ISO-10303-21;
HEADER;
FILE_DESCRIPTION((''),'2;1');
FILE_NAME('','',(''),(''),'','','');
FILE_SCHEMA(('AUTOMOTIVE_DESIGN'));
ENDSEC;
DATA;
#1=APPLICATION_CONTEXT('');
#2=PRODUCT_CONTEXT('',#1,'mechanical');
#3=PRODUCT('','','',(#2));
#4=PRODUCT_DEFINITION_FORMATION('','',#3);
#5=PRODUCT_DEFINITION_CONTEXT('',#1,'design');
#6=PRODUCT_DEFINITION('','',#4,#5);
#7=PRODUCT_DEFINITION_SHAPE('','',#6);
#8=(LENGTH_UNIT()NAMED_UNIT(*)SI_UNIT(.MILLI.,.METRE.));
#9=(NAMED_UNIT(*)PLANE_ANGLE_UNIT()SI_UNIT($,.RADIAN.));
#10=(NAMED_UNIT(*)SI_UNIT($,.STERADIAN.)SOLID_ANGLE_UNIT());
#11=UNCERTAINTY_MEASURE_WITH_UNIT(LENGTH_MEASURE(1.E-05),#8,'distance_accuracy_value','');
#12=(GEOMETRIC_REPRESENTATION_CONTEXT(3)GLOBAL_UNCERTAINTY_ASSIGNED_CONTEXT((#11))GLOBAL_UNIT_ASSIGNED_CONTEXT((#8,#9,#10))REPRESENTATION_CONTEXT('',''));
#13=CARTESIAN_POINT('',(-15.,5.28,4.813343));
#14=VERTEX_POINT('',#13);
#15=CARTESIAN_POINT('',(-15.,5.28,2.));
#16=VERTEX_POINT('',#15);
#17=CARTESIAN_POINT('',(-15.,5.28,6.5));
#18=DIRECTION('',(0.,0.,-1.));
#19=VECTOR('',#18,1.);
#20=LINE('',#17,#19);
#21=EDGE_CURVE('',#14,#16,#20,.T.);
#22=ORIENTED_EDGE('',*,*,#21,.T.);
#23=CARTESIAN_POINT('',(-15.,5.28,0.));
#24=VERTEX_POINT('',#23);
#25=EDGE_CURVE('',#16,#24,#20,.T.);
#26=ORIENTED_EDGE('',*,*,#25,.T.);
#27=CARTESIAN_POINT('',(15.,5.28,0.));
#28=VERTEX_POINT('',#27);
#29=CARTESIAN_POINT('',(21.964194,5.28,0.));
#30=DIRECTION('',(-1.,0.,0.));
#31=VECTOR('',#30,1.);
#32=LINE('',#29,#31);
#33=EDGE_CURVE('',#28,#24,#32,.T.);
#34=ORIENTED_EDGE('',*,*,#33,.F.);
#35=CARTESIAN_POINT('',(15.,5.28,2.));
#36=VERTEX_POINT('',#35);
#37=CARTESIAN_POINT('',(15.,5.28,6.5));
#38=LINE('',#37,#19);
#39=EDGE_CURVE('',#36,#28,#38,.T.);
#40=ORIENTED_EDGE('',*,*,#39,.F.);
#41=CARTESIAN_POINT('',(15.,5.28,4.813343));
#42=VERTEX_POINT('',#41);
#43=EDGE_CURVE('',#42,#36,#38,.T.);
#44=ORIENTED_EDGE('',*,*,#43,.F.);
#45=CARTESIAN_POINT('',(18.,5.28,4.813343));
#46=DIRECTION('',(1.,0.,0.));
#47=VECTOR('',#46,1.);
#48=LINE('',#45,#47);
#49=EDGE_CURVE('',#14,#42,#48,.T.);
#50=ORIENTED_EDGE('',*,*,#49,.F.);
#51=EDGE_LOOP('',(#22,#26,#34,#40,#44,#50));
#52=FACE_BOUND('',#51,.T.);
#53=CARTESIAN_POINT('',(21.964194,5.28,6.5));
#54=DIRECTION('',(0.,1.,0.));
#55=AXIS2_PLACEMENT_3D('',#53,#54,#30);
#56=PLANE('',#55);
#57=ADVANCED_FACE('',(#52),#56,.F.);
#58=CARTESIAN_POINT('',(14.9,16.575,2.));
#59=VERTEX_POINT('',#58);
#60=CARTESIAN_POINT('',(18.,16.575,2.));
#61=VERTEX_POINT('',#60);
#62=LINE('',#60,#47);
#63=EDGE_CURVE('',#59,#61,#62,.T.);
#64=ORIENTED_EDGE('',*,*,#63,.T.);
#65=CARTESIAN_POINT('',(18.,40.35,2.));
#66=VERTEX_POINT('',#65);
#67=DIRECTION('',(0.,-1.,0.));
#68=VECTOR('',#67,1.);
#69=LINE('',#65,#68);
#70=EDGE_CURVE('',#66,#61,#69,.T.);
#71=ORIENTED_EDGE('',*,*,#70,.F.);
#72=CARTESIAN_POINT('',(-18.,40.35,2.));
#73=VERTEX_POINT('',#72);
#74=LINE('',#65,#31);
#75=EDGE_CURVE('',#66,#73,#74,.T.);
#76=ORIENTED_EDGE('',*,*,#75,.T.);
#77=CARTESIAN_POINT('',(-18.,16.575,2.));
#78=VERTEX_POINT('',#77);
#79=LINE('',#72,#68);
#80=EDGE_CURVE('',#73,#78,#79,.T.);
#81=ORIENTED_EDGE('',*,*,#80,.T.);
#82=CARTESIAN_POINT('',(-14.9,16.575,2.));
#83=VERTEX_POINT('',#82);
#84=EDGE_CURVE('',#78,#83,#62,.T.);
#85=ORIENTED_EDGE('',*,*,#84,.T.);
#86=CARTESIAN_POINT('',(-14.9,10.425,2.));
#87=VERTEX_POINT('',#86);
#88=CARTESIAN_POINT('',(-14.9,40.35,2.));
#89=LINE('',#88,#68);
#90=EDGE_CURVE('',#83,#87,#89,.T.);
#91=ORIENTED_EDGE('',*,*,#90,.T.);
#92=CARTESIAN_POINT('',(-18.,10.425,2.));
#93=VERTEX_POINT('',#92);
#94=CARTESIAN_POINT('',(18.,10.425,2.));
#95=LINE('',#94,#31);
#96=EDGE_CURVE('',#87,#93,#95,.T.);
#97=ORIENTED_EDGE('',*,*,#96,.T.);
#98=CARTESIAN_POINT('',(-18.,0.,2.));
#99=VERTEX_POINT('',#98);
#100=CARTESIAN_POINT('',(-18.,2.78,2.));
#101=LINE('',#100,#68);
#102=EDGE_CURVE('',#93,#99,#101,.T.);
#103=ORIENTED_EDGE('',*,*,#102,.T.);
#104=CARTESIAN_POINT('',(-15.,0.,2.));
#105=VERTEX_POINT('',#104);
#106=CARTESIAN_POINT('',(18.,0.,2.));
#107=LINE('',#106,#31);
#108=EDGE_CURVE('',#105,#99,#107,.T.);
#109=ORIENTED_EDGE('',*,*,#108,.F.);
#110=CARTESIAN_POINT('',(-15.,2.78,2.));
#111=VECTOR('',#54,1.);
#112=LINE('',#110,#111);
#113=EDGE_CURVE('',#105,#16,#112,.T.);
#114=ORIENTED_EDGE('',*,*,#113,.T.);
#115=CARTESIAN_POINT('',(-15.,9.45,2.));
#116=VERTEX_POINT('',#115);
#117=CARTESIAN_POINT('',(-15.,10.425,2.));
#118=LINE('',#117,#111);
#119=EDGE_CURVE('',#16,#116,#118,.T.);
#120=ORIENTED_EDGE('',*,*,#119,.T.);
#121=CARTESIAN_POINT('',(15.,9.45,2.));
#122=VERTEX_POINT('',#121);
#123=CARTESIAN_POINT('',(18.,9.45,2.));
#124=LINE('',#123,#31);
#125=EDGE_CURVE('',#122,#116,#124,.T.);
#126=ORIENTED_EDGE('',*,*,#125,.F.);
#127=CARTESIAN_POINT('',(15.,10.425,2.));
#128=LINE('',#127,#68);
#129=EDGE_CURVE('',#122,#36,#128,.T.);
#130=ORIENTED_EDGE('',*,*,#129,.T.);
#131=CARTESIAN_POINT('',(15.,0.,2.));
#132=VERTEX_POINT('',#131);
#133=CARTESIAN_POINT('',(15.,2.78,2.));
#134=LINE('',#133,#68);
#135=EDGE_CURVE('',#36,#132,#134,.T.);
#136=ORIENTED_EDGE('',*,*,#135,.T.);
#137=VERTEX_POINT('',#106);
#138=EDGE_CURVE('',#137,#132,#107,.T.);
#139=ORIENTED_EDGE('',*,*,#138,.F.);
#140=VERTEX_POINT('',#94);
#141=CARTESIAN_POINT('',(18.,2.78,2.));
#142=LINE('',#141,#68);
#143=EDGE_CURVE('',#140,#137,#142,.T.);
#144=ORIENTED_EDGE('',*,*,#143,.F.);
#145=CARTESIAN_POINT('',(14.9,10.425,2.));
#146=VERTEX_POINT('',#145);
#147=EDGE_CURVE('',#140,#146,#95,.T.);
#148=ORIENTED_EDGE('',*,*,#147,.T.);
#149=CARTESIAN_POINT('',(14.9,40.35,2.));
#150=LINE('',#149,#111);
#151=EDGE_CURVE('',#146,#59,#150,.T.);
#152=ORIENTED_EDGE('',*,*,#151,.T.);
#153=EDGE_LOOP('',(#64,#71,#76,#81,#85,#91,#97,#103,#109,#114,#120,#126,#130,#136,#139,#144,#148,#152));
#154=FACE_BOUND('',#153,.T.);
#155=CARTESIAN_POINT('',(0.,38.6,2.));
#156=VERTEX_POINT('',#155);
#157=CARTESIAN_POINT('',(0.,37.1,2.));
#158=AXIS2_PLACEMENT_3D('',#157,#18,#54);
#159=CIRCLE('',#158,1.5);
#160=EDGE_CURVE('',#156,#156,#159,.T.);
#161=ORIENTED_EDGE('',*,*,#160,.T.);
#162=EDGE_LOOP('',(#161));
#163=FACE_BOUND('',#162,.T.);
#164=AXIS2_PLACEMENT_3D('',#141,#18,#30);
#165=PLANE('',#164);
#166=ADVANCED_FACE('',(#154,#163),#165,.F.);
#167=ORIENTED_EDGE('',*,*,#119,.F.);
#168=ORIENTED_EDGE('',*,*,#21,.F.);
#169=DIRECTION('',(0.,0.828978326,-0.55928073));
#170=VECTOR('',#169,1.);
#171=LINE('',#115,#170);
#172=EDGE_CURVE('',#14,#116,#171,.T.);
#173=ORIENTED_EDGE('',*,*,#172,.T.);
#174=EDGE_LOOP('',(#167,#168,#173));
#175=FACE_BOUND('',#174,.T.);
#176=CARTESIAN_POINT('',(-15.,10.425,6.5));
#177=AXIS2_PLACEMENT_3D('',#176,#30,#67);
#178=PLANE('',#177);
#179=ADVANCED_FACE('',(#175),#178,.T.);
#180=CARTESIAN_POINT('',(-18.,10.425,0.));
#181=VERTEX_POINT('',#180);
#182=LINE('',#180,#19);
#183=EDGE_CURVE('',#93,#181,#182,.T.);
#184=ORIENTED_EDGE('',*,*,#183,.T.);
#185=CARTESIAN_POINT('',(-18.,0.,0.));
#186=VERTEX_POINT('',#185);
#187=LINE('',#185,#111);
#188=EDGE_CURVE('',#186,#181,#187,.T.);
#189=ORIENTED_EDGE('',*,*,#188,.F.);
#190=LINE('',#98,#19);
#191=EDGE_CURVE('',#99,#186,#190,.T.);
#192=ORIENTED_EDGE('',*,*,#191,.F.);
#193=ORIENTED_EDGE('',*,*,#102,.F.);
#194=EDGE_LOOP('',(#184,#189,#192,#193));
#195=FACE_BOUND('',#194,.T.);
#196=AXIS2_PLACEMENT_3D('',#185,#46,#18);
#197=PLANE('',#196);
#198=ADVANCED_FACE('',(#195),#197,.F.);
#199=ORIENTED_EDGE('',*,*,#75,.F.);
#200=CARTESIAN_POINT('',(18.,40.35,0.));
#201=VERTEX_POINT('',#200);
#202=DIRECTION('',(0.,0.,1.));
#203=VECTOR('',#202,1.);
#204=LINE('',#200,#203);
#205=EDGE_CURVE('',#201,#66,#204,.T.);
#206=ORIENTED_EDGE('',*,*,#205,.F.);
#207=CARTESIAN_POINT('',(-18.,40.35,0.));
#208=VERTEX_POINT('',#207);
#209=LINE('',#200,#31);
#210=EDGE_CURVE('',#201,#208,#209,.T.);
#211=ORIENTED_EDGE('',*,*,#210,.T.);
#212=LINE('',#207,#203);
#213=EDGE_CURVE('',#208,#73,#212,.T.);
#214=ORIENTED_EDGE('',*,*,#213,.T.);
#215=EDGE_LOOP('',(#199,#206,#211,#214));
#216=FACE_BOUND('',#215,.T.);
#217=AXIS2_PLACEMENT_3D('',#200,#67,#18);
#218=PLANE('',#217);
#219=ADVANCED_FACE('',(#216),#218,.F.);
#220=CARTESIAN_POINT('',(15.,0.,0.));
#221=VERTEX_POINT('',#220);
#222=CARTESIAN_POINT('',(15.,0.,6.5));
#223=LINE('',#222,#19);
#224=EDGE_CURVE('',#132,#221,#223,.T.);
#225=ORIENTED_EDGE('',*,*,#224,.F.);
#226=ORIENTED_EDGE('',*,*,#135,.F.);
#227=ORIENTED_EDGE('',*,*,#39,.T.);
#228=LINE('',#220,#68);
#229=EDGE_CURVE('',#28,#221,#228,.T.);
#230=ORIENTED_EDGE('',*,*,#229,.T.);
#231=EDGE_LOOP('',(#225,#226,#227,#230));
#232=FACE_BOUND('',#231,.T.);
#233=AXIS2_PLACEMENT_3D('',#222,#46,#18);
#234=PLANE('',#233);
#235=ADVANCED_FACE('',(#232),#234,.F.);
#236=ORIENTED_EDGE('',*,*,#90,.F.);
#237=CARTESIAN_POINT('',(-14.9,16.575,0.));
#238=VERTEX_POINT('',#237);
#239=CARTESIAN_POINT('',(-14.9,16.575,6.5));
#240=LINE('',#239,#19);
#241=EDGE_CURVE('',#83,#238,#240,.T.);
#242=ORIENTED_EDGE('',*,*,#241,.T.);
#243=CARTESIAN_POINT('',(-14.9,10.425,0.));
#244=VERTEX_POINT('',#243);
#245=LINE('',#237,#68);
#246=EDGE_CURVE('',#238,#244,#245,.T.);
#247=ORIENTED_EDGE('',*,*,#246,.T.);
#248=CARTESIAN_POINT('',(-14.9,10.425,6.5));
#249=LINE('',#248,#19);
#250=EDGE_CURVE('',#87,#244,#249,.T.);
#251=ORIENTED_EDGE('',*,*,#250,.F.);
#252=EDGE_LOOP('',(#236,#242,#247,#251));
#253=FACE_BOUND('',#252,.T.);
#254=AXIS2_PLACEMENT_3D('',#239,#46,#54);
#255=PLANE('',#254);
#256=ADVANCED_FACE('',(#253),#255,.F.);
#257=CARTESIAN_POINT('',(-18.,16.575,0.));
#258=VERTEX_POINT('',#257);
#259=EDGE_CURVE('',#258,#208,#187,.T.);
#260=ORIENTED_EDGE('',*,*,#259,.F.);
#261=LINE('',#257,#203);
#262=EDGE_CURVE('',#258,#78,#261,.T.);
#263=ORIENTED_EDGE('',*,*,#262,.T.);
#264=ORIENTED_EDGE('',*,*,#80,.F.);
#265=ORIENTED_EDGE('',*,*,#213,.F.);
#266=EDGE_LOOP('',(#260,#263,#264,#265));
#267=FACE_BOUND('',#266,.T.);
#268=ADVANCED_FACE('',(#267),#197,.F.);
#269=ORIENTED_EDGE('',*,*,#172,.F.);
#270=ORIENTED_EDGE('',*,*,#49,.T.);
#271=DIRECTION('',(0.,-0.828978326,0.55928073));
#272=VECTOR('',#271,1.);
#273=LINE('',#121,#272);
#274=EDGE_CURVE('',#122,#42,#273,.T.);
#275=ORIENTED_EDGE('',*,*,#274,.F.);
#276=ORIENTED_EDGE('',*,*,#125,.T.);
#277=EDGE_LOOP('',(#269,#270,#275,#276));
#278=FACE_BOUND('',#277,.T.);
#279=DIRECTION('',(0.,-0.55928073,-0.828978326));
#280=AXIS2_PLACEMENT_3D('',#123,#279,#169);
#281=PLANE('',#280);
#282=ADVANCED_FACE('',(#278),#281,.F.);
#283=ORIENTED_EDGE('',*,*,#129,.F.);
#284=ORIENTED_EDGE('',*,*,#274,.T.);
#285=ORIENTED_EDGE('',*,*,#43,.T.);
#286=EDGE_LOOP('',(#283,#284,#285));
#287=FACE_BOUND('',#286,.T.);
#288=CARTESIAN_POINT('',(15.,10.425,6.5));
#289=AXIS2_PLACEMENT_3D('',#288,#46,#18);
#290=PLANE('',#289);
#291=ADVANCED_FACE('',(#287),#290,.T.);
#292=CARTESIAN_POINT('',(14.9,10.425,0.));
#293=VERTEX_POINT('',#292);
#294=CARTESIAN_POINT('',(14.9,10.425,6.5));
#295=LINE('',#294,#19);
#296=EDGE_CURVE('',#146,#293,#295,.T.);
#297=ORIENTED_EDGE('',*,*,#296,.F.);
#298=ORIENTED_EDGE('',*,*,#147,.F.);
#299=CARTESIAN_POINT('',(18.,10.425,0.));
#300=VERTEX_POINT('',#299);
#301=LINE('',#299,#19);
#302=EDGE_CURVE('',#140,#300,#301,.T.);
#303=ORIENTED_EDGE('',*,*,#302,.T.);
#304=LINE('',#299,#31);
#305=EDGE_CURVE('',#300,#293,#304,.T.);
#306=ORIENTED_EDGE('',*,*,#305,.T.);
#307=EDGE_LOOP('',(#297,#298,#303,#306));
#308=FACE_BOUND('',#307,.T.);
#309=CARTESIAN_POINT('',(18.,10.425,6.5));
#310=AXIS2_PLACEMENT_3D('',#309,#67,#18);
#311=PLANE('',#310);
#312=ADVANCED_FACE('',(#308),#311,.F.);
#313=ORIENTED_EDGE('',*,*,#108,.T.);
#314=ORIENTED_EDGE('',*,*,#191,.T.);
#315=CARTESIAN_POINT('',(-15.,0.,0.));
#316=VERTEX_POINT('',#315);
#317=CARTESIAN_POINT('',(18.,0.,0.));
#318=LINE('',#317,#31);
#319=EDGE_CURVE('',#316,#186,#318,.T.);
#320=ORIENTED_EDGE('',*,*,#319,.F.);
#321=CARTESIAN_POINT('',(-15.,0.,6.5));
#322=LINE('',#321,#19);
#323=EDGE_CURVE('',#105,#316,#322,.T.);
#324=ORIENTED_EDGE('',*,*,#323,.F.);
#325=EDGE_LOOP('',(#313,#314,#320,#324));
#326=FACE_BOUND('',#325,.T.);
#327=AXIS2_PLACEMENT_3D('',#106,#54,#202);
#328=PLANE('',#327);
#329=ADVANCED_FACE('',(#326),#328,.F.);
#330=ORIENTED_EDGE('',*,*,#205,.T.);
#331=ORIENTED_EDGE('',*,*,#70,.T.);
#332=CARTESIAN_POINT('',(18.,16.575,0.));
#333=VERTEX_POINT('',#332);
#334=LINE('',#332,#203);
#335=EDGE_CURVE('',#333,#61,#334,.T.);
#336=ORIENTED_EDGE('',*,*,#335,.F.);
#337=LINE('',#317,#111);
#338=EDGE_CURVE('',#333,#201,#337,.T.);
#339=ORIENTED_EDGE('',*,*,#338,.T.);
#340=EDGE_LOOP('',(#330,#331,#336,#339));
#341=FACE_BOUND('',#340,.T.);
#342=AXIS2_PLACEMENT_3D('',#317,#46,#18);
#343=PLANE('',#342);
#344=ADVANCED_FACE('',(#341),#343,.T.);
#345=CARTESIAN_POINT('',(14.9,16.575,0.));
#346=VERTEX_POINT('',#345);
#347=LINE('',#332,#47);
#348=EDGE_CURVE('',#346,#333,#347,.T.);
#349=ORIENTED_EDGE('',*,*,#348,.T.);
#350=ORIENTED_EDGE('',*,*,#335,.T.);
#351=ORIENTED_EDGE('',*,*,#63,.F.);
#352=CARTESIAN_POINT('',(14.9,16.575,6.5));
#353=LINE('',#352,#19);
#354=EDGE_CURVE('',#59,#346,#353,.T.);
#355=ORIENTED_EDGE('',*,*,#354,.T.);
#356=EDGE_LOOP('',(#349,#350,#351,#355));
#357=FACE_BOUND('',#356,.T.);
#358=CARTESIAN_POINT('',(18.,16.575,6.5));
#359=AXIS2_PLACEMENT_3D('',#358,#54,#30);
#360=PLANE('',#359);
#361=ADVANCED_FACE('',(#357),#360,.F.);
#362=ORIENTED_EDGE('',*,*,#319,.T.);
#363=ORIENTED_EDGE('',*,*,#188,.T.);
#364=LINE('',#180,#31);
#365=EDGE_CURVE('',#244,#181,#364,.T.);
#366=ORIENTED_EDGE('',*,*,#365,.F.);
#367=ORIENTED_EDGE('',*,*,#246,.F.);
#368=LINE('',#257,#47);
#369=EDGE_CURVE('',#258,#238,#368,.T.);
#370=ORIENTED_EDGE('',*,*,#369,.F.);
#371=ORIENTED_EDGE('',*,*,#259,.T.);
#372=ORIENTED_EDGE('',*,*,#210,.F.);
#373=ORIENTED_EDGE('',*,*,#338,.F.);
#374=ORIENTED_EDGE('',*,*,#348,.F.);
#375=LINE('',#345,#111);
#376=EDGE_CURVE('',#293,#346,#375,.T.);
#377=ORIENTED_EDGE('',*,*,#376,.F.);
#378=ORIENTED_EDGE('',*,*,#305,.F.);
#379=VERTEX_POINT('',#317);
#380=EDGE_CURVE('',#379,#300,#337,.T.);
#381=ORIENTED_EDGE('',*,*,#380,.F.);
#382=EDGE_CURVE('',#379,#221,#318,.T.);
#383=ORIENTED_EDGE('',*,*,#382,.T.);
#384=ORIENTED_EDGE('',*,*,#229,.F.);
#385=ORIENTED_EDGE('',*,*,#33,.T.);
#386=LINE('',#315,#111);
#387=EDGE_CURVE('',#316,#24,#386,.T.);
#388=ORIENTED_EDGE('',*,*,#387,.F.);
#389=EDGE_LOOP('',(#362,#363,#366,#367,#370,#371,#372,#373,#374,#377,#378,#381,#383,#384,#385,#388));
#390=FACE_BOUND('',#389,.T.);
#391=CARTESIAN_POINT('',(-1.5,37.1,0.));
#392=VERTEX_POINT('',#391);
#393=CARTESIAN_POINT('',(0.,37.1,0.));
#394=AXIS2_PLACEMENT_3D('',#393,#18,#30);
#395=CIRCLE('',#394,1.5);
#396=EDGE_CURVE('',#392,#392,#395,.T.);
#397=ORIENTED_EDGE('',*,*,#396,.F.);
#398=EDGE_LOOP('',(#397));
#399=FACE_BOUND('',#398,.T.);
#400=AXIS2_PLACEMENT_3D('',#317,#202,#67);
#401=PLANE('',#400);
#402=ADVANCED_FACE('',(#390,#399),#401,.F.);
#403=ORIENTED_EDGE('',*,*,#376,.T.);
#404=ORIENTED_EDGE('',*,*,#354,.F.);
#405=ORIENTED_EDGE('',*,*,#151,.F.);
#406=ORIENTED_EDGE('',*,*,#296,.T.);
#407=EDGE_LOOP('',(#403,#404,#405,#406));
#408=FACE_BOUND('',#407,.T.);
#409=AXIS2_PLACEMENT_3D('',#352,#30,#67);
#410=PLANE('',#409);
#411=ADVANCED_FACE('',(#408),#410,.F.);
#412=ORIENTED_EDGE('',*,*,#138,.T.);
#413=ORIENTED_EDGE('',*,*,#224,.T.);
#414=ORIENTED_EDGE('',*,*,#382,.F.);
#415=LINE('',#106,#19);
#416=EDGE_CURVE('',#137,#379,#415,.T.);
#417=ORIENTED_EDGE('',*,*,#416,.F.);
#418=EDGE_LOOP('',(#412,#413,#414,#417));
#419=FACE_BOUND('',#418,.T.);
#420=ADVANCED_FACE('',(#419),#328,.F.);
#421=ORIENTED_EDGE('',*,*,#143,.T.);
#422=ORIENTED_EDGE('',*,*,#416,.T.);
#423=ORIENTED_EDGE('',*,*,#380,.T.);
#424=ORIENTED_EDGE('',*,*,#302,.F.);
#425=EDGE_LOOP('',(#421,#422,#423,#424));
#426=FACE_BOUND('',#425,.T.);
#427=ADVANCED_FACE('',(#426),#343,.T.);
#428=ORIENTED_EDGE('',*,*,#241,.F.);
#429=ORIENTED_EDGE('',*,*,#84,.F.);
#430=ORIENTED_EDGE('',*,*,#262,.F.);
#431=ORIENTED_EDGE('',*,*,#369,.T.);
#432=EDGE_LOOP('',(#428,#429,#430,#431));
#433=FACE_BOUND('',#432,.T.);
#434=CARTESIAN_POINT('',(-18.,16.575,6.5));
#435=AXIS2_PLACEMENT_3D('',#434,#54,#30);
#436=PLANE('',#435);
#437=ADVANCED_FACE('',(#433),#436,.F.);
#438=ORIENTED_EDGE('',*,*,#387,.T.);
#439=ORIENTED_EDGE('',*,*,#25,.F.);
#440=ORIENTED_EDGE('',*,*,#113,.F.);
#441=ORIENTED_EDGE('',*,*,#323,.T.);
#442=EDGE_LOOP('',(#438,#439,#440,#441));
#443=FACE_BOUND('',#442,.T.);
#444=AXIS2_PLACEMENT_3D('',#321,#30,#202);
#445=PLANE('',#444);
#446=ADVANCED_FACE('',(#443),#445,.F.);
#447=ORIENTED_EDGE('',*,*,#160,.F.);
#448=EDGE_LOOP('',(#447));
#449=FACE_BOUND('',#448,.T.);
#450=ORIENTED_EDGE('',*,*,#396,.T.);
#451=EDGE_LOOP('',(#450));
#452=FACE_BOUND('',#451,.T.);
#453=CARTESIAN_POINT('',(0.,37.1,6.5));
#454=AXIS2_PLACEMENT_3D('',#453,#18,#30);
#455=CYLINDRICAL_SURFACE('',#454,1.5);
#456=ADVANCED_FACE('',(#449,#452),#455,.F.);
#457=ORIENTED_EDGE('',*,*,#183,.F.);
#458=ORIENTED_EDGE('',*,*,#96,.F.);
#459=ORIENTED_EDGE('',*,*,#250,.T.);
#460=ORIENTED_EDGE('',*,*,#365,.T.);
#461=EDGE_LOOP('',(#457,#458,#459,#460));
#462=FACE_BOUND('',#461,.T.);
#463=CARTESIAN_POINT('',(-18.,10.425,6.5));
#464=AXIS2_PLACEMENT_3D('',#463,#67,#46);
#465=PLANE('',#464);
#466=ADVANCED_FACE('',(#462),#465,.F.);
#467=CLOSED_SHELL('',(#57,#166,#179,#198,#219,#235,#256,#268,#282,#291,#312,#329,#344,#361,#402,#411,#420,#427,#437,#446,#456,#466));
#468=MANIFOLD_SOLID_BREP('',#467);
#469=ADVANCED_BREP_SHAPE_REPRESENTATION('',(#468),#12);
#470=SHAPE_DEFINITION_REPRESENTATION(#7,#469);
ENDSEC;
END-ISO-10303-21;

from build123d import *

# Parameters (mm, degrees)
BOSS_EXTRUDE1_DEPTH = 18
SKETCH2_R           = 1.5
SKETCH2_W           = 30
SKETCH2_H           = 2.78
CUT_EXTRUDE1_DEPTH  = 7.5
SKETCH3_W           = 3.1
SKETCH3_H           = 6.15
CUT_EXTRUDE2_DEPTH  = 7.5
SKETCH4_W           = 3
SKETCH4_H           = 7.645
CUT_EXTRUDE3_DEPTH  = 5.5
SKETCH5_W           = 6.5
SKETCH5_H           = 2.5
CUT_EXTRUDE4_DEPTH  = 30


with BuildPart() as part:
    # Sketch1 → Boss-Extrude1 (new body, symmetric)
    with BuildSketch(Plane(origin=(0, 0, 0), x_dir=(0, 0, -1), z_dir=(1, 0, 0))):
        Polygon((0, 0), (0, 40.35), (-2, 40.35), (-2, 9.45), (-6.5, 2.78), (-2, 2.78), (-2, 0), align=None)
    extrude(amount=BOSS_EXTRUDE1_DEPTH, both=True)

    # Sketch2 → Cut-Extrude1 (cut, through all)
    with BuildSketch(Plane(origin=(0, 0, 0), x_dir=(-1, 0, 0), z_dir=(0, 0, -1))):
        with Locations((0, 37.1)):
            Circle(SKETCH2_R)
        with Locations((0, 1.39)):
            Rectangle(SKETCH2_W, SKETCH2_H)
    extrude(amount=-CUT_EXTRUDE1_DEPTH, mode=Mode.SUBTRACT)

    # Sketch3 → Cut-Extrude2 (cut, through all)
    with BuildSketch(Plane(origin=(0, 0, 0), x_dir=(-1, 0, 0), z_dir=(0, 0, -1))):
        with Locations((-16.45, 13.5)):
            Rectangle(SKETCH3_W, SKETCH3_H)
        with Locations((16.45, 13.5)):
            Rectangle(SKETCH3_W, SKETCH3_H)
    extrude(amount=-CUT_EXTRUDE2_DEPTH, mode=Mode.SUBTRACT)

    # Sketch4 → Cut-Extrude3 (cut, through all)
    with BuildSketch(Plane.XY.offset(2)):
        with Locations((-16.5, 6.6025)):
            Rectangle(SKETCH4_W, SKETCH4_H)
        with Locations((16.5, 6.6025)):
            Rectangle(SKETCH4_W, SKETCH4_H)
    extrude(amount=CUT_EXTRUDE3_DEPTH, mode=Mode.SUBTRACT)

    # Sketch5 → Cut-Extrude4 (cut)
    with BuildSketch(Plane.ZY.offset(15)):
        with Locations((3.25, 4.03)):
            Rectangle(SKETCH5_W, SKETCH5_H)
    extrude(amount=-CUT_EXTRUDE4_DEPTH, mode=Mode.SUBTRACT)


solid = part.part
